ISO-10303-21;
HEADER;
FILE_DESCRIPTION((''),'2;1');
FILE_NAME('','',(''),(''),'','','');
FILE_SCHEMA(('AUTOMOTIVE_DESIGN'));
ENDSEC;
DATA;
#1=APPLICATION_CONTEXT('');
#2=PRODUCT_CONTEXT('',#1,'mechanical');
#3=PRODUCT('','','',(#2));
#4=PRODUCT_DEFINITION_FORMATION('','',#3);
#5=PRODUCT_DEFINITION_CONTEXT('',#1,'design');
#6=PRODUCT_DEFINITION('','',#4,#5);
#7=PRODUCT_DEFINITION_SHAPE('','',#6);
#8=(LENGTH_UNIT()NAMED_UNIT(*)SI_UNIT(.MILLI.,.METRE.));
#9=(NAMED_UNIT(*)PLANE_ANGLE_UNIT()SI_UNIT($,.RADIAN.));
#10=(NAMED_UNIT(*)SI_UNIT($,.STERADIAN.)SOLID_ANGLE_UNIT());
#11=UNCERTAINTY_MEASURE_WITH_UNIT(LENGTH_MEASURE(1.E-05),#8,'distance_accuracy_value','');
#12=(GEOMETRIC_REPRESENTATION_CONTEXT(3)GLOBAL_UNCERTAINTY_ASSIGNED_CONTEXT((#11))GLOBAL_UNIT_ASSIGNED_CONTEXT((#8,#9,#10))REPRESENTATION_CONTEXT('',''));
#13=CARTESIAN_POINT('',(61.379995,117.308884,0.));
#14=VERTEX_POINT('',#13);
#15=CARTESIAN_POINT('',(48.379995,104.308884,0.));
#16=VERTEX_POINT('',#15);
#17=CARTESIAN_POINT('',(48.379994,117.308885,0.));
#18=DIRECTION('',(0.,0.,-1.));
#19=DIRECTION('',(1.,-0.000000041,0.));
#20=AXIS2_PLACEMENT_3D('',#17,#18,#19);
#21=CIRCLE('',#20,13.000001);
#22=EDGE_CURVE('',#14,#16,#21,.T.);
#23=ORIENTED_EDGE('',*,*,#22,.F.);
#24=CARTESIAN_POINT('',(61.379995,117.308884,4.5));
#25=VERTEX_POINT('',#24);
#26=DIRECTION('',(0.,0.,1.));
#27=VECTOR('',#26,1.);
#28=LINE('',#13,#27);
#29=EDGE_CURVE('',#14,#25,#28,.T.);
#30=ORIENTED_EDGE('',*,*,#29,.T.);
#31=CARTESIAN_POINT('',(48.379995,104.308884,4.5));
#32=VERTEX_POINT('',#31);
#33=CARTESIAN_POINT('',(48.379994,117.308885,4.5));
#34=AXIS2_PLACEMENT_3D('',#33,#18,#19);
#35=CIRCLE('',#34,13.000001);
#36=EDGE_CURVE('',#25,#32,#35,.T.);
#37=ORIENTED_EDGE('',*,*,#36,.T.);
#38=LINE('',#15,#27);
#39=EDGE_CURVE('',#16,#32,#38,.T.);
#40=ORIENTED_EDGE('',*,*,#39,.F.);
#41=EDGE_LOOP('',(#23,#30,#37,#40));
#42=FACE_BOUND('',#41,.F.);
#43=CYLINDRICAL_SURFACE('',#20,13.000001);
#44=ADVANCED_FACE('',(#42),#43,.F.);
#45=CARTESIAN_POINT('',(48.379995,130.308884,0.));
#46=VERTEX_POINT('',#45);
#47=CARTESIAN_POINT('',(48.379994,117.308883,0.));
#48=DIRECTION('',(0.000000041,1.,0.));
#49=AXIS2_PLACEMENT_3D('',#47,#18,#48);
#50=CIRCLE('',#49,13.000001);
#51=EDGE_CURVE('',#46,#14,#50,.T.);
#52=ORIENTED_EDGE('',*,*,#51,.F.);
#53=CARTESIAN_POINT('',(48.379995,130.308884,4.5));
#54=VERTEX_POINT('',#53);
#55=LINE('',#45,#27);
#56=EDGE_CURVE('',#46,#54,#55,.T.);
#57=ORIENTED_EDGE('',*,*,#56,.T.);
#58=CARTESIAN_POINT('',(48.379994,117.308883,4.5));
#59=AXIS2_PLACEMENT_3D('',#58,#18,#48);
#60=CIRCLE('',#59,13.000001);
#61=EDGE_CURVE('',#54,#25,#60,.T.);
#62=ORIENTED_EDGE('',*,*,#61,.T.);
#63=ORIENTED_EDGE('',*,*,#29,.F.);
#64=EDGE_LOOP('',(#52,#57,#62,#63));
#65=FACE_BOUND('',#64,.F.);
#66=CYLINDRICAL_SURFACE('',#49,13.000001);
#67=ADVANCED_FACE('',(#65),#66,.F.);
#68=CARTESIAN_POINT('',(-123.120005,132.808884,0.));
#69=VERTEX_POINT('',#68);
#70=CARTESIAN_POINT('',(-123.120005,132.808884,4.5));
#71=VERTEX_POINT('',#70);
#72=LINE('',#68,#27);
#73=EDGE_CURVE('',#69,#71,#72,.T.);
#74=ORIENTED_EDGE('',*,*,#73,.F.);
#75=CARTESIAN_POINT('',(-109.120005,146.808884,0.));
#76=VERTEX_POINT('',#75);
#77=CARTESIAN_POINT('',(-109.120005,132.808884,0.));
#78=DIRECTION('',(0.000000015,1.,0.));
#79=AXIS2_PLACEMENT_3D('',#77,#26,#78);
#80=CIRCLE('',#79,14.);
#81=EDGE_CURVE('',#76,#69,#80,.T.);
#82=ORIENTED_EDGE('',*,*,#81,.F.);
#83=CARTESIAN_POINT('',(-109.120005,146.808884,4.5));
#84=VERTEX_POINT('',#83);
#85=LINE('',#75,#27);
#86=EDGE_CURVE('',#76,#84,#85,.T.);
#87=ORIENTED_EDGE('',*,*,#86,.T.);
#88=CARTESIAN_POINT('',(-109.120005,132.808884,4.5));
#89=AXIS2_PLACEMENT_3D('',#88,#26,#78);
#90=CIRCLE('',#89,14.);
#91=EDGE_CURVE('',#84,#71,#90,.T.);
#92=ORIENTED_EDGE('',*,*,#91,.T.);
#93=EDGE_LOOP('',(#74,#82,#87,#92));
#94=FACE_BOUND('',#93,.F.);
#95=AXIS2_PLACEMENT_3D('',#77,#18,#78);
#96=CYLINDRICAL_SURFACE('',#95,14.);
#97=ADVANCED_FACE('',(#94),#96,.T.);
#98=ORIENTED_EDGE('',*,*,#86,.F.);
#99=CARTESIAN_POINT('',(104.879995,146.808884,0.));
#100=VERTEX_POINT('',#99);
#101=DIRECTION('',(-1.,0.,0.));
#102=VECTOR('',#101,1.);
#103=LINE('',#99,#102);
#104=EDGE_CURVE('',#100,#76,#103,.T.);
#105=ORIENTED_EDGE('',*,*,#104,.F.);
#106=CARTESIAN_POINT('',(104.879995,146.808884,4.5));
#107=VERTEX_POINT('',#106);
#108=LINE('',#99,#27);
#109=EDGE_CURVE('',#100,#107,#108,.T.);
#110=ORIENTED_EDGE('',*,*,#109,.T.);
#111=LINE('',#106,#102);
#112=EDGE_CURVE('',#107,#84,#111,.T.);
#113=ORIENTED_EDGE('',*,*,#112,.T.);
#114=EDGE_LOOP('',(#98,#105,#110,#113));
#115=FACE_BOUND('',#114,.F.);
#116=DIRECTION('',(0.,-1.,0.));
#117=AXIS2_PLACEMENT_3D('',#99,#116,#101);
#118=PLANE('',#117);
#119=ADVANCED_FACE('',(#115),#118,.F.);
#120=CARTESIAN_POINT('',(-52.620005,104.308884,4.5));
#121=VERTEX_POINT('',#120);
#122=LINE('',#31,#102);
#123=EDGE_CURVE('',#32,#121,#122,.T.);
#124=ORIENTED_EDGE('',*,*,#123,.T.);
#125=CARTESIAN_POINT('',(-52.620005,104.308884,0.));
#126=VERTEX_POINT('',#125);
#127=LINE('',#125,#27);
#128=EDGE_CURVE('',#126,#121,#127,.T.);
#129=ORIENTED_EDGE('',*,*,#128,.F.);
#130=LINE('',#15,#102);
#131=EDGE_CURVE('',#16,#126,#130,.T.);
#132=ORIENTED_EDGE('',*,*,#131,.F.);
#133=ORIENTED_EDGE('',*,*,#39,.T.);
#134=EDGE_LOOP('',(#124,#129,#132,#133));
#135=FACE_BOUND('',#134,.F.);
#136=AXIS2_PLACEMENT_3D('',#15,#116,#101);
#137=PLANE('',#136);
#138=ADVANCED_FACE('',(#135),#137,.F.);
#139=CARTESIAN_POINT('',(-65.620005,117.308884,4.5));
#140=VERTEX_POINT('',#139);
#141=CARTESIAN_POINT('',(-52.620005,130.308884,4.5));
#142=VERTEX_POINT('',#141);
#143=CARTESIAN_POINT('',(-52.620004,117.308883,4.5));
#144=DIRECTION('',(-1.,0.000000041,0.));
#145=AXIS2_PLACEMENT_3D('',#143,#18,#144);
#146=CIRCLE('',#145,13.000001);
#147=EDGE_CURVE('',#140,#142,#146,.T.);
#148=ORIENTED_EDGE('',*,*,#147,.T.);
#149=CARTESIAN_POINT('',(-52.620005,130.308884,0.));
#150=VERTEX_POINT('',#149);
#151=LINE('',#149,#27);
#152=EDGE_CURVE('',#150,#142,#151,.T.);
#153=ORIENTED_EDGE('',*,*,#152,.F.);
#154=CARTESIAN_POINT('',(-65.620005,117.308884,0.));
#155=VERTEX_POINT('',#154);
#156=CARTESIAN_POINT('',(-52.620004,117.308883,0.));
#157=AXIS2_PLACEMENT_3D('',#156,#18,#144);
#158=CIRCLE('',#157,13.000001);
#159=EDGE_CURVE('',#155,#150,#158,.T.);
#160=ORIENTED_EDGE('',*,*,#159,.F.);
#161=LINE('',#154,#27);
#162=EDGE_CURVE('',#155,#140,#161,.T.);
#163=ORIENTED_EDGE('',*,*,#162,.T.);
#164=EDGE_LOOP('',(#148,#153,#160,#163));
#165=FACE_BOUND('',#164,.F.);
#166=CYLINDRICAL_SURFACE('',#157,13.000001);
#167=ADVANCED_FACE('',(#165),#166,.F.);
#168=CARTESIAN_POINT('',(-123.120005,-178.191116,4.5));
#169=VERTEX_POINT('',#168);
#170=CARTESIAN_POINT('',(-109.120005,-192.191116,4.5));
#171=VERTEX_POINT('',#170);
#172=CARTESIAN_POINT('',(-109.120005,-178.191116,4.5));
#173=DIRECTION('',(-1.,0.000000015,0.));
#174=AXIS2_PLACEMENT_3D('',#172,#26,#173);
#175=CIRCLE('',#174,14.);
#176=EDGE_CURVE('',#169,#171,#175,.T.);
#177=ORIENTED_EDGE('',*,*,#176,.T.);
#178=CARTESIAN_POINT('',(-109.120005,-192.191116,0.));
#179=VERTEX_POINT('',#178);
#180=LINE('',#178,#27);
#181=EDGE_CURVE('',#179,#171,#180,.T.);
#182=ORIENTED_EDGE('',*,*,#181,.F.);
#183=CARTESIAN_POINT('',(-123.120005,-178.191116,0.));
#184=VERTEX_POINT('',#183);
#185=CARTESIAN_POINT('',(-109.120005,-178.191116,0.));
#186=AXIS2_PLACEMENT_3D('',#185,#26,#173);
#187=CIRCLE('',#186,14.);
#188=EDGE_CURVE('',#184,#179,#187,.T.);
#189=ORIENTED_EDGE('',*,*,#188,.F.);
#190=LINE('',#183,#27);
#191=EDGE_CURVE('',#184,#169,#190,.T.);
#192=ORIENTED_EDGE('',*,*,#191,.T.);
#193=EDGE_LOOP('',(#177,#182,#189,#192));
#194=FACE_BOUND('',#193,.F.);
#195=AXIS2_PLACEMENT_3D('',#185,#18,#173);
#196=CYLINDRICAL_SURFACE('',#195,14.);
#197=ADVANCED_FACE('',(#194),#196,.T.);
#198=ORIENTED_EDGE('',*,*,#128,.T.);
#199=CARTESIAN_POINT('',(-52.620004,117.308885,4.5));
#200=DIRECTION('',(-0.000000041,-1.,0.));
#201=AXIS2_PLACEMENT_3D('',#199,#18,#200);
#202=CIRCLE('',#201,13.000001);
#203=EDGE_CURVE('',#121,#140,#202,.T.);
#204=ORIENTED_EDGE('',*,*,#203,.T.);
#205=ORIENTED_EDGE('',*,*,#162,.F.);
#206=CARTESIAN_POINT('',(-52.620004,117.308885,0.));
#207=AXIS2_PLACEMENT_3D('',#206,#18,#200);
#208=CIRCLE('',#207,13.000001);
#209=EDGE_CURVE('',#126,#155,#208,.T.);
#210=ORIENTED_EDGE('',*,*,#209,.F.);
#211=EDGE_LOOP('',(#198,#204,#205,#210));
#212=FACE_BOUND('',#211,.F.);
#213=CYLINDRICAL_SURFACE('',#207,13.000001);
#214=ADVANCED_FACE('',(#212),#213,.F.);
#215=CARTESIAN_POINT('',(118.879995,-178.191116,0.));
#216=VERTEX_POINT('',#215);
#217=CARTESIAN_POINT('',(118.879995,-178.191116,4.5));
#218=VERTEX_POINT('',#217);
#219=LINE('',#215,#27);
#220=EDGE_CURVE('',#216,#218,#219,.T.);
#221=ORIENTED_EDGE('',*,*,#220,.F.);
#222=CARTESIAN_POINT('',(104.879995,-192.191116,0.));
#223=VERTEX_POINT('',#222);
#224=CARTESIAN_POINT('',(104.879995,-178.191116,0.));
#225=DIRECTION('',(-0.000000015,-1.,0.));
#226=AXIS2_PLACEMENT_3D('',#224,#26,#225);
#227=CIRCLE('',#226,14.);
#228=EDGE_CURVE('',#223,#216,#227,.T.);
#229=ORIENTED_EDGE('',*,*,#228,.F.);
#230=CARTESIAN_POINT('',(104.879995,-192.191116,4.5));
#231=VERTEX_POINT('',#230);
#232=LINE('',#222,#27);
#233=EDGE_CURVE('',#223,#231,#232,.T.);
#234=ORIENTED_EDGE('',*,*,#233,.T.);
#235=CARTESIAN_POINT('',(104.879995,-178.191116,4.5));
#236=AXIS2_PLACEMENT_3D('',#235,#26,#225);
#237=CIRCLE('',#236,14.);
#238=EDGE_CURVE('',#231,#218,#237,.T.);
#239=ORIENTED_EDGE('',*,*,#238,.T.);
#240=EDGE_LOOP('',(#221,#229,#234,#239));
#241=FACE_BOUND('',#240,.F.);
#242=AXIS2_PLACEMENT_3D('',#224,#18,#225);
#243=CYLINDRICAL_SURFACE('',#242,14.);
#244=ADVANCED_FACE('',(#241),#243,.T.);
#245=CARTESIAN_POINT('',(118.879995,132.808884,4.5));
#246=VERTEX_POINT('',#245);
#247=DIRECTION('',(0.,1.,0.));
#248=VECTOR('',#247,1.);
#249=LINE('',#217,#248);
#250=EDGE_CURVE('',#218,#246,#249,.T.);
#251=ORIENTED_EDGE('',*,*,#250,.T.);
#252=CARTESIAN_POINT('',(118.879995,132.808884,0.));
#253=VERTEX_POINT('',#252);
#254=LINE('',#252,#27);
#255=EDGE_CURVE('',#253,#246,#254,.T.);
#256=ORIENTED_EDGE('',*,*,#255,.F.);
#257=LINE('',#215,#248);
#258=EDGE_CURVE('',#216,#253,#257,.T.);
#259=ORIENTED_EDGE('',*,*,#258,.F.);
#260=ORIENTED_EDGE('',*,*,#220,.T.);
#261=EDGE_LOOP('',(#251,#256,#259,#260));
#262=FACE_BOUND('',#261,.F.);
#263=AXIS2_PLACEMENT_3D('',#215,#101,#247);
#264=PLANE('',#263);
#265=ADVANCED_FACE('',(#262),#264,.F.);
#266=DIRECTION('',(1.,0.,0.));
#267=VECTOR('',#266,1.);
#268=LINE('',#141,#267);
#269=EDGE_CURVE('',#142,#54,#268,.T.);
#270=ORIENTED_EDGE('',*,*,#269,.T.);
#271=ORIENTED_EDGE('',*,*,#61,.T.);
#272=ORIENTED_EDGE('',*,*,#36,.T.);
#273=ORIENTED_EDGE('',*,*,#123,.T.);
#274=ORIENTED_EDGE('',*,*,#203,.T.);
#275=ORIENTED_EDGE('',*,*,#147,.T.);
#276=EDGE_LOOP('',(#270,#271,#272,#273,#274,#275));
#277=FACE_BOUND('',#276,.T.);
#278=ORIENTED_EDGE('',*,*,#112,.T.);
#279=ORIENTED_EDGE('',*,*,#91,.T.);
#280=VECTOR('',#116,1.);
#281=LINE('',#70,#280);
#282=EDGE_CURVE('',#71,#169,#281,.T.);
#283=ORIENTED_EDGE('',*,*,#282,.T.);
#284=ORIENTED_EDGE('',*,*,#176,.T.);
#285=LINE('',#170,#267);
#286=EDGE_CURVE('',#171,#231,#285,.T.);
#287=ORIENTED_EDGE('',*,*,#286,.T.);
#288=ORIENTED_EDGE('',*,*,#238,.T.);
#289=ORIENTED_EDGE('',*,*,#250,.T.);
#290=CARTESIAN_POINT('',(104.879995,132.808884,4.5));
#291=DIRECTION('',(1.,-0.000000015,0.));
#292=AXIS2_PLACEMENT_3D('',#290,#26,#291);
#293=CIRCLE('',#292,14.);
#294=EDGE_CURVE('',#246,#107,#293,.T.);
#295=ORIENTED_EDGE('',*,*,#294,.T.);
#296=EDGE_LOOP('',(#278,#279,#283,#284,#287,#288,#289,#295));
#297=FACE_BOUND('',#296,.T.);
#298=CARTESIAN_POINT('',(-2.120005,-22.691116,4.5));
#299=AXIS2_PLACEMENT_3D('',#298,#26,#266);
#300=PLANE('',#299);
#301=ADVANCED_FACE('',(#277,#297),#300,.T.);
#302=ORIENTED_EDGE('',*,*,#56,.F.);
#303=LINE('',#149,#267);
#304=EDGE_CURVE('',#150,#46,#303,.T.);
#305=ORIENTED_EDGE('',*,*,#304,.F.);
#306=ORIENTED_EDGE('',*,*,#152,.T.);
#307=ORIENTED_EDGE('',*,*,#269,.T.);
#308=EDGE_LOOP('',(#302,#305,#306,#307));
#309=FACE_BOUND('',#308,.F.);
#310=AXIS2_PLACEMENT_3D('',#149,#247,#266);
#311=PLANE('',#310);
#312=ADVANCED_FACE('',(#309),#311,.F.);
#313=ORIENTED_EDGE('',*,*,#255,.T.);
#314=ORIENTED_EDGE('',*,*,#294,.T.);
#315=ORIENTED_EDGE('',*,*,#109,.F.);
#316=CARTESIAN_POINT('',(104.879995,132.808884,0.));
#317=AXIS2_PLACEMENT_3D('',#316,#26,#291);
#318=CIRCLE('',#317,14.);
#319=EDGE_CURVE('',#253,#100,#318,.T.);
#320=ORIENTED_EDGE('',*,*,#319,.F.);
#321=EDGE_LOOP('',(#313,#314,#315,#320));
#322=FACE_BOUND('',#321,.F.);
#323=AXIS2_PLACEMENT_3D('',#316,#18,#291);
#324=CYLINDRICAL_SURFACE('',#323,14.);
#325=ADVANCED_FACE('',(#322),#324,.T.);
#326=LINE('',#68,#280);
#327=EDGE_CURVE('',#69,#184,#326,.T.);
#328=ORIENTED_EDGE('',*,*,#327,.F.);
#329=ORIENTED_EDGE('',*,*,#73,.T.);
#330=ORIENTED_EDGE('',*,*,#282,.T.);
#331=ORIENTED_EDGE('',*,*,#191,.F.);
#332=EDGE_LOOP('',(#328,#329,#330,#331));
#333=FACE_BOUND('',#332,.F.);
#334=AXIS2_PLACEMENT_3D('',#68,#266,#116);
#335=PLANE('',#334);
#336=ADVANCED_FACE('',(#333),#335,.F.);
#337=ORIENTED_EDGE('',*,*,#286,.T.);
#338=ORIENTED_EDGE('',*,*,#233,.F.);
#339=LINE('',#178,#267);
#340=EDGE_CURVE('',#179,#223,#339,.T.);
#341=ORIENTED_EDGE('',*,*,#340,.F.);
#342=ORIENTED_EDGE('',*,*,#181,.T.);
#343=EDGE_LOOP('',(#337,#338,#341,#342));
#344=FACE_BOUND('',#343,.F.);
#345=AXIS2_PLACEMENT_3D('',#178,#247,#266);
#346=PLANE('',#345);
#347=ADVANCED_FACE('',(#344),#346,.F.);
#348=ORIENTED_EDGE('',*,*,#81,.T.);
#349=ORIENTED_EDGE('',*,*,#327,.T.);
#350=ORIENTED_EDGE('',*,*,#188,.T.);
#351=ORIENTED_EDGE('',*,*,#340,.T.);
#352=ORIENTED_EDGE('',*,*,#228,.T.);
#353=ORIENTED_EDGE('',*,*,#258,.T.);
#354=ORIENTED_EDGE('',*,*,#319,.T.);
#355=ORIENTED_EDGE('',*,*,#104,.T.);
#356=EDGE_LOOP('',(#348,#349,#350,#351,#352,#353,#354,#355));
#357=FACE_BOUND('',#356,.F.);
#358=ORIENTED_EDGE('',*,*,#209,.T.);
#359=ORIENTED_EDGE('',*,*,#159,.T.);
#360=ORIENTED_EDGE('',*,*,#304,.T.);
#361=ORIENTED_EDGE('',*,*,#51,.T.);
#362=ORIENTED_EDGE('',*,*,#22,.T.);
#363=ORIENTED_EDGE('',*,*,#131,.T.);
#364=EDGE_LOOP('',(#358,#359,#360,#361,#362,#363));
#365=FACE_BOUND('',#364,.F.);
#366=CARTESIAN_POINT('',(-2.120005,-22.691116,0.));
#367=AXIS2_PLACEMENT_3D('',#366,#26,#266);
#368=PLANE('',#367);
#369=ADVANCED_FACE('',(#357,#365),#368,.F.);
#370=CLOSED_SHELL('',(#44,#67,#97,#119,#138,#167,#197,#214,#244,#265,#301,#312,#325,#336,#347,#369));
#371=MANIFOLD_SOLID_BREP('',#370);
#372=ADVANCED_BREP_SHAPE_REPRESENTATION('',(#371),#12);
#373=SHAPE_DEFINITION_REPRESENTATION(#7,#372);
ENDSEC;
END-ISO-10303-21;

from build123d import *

# Parameters (mm, degrees)
F1_DEPTH = 4.5


with BuildPart() as f1:
    # F0 (on Top) → F1 (new body)
    with BuildSketch(Plane.XY):
        with BuildLine():
            Line((104.879995, 146.808884), (-109.120005, 146.808884))
            ThreePointArc((-109.120005, 146.808884), (-119.0195, 142.708379), (-123.120005, 132.808884))
            Line((-123.120005, 132.808884), (-123.120005, -178.191116))
            ThreePointArc((-123.120005, -178.191116), (-119.0195, -188.090611), (-109.120005, -192.191116))
            Line((-109.120005, -192.191116), (104.879995, -192.191116))
            ThreePointArc((104.879995, -192.191116), (114.77949, -188.090611), (118.879995, -178.191116))
            Line((118.879995, -178.191116), (118.879995, 132.808884))
            ThreePointArc((118.879995, 132.808884), (114.77949, 142.708379), (104.879995, 146.808884))
        make_face()
        with BuildLine():
            ThreePointArc((-65.620005, 117.308884), (-61.812393, 126.501272), (-52.620005, 130.308884))
            Line((-52.620005, 130.308884), (48.379995, 130.308884))
            ThreePointArc((48.379995, 130.308884), (57.572383, 126.501272), (61.379995, 117.308884))
            ThreePointArc((61.379995, 117.308884), (57.572383, 108.116496), (48.379995, 104.308884))
            Line((48.379995, 104.308884), (-52.620005, 104.308884))
            ThreePointArc((-52.620005, 104.308884), (-61.812393, 108.116496), (-65.620005, 117.308884))
        make_face(mode=Mode.SUBTRACT)
    extrude(amount=F1_DEPTH)


solid = f1.part
